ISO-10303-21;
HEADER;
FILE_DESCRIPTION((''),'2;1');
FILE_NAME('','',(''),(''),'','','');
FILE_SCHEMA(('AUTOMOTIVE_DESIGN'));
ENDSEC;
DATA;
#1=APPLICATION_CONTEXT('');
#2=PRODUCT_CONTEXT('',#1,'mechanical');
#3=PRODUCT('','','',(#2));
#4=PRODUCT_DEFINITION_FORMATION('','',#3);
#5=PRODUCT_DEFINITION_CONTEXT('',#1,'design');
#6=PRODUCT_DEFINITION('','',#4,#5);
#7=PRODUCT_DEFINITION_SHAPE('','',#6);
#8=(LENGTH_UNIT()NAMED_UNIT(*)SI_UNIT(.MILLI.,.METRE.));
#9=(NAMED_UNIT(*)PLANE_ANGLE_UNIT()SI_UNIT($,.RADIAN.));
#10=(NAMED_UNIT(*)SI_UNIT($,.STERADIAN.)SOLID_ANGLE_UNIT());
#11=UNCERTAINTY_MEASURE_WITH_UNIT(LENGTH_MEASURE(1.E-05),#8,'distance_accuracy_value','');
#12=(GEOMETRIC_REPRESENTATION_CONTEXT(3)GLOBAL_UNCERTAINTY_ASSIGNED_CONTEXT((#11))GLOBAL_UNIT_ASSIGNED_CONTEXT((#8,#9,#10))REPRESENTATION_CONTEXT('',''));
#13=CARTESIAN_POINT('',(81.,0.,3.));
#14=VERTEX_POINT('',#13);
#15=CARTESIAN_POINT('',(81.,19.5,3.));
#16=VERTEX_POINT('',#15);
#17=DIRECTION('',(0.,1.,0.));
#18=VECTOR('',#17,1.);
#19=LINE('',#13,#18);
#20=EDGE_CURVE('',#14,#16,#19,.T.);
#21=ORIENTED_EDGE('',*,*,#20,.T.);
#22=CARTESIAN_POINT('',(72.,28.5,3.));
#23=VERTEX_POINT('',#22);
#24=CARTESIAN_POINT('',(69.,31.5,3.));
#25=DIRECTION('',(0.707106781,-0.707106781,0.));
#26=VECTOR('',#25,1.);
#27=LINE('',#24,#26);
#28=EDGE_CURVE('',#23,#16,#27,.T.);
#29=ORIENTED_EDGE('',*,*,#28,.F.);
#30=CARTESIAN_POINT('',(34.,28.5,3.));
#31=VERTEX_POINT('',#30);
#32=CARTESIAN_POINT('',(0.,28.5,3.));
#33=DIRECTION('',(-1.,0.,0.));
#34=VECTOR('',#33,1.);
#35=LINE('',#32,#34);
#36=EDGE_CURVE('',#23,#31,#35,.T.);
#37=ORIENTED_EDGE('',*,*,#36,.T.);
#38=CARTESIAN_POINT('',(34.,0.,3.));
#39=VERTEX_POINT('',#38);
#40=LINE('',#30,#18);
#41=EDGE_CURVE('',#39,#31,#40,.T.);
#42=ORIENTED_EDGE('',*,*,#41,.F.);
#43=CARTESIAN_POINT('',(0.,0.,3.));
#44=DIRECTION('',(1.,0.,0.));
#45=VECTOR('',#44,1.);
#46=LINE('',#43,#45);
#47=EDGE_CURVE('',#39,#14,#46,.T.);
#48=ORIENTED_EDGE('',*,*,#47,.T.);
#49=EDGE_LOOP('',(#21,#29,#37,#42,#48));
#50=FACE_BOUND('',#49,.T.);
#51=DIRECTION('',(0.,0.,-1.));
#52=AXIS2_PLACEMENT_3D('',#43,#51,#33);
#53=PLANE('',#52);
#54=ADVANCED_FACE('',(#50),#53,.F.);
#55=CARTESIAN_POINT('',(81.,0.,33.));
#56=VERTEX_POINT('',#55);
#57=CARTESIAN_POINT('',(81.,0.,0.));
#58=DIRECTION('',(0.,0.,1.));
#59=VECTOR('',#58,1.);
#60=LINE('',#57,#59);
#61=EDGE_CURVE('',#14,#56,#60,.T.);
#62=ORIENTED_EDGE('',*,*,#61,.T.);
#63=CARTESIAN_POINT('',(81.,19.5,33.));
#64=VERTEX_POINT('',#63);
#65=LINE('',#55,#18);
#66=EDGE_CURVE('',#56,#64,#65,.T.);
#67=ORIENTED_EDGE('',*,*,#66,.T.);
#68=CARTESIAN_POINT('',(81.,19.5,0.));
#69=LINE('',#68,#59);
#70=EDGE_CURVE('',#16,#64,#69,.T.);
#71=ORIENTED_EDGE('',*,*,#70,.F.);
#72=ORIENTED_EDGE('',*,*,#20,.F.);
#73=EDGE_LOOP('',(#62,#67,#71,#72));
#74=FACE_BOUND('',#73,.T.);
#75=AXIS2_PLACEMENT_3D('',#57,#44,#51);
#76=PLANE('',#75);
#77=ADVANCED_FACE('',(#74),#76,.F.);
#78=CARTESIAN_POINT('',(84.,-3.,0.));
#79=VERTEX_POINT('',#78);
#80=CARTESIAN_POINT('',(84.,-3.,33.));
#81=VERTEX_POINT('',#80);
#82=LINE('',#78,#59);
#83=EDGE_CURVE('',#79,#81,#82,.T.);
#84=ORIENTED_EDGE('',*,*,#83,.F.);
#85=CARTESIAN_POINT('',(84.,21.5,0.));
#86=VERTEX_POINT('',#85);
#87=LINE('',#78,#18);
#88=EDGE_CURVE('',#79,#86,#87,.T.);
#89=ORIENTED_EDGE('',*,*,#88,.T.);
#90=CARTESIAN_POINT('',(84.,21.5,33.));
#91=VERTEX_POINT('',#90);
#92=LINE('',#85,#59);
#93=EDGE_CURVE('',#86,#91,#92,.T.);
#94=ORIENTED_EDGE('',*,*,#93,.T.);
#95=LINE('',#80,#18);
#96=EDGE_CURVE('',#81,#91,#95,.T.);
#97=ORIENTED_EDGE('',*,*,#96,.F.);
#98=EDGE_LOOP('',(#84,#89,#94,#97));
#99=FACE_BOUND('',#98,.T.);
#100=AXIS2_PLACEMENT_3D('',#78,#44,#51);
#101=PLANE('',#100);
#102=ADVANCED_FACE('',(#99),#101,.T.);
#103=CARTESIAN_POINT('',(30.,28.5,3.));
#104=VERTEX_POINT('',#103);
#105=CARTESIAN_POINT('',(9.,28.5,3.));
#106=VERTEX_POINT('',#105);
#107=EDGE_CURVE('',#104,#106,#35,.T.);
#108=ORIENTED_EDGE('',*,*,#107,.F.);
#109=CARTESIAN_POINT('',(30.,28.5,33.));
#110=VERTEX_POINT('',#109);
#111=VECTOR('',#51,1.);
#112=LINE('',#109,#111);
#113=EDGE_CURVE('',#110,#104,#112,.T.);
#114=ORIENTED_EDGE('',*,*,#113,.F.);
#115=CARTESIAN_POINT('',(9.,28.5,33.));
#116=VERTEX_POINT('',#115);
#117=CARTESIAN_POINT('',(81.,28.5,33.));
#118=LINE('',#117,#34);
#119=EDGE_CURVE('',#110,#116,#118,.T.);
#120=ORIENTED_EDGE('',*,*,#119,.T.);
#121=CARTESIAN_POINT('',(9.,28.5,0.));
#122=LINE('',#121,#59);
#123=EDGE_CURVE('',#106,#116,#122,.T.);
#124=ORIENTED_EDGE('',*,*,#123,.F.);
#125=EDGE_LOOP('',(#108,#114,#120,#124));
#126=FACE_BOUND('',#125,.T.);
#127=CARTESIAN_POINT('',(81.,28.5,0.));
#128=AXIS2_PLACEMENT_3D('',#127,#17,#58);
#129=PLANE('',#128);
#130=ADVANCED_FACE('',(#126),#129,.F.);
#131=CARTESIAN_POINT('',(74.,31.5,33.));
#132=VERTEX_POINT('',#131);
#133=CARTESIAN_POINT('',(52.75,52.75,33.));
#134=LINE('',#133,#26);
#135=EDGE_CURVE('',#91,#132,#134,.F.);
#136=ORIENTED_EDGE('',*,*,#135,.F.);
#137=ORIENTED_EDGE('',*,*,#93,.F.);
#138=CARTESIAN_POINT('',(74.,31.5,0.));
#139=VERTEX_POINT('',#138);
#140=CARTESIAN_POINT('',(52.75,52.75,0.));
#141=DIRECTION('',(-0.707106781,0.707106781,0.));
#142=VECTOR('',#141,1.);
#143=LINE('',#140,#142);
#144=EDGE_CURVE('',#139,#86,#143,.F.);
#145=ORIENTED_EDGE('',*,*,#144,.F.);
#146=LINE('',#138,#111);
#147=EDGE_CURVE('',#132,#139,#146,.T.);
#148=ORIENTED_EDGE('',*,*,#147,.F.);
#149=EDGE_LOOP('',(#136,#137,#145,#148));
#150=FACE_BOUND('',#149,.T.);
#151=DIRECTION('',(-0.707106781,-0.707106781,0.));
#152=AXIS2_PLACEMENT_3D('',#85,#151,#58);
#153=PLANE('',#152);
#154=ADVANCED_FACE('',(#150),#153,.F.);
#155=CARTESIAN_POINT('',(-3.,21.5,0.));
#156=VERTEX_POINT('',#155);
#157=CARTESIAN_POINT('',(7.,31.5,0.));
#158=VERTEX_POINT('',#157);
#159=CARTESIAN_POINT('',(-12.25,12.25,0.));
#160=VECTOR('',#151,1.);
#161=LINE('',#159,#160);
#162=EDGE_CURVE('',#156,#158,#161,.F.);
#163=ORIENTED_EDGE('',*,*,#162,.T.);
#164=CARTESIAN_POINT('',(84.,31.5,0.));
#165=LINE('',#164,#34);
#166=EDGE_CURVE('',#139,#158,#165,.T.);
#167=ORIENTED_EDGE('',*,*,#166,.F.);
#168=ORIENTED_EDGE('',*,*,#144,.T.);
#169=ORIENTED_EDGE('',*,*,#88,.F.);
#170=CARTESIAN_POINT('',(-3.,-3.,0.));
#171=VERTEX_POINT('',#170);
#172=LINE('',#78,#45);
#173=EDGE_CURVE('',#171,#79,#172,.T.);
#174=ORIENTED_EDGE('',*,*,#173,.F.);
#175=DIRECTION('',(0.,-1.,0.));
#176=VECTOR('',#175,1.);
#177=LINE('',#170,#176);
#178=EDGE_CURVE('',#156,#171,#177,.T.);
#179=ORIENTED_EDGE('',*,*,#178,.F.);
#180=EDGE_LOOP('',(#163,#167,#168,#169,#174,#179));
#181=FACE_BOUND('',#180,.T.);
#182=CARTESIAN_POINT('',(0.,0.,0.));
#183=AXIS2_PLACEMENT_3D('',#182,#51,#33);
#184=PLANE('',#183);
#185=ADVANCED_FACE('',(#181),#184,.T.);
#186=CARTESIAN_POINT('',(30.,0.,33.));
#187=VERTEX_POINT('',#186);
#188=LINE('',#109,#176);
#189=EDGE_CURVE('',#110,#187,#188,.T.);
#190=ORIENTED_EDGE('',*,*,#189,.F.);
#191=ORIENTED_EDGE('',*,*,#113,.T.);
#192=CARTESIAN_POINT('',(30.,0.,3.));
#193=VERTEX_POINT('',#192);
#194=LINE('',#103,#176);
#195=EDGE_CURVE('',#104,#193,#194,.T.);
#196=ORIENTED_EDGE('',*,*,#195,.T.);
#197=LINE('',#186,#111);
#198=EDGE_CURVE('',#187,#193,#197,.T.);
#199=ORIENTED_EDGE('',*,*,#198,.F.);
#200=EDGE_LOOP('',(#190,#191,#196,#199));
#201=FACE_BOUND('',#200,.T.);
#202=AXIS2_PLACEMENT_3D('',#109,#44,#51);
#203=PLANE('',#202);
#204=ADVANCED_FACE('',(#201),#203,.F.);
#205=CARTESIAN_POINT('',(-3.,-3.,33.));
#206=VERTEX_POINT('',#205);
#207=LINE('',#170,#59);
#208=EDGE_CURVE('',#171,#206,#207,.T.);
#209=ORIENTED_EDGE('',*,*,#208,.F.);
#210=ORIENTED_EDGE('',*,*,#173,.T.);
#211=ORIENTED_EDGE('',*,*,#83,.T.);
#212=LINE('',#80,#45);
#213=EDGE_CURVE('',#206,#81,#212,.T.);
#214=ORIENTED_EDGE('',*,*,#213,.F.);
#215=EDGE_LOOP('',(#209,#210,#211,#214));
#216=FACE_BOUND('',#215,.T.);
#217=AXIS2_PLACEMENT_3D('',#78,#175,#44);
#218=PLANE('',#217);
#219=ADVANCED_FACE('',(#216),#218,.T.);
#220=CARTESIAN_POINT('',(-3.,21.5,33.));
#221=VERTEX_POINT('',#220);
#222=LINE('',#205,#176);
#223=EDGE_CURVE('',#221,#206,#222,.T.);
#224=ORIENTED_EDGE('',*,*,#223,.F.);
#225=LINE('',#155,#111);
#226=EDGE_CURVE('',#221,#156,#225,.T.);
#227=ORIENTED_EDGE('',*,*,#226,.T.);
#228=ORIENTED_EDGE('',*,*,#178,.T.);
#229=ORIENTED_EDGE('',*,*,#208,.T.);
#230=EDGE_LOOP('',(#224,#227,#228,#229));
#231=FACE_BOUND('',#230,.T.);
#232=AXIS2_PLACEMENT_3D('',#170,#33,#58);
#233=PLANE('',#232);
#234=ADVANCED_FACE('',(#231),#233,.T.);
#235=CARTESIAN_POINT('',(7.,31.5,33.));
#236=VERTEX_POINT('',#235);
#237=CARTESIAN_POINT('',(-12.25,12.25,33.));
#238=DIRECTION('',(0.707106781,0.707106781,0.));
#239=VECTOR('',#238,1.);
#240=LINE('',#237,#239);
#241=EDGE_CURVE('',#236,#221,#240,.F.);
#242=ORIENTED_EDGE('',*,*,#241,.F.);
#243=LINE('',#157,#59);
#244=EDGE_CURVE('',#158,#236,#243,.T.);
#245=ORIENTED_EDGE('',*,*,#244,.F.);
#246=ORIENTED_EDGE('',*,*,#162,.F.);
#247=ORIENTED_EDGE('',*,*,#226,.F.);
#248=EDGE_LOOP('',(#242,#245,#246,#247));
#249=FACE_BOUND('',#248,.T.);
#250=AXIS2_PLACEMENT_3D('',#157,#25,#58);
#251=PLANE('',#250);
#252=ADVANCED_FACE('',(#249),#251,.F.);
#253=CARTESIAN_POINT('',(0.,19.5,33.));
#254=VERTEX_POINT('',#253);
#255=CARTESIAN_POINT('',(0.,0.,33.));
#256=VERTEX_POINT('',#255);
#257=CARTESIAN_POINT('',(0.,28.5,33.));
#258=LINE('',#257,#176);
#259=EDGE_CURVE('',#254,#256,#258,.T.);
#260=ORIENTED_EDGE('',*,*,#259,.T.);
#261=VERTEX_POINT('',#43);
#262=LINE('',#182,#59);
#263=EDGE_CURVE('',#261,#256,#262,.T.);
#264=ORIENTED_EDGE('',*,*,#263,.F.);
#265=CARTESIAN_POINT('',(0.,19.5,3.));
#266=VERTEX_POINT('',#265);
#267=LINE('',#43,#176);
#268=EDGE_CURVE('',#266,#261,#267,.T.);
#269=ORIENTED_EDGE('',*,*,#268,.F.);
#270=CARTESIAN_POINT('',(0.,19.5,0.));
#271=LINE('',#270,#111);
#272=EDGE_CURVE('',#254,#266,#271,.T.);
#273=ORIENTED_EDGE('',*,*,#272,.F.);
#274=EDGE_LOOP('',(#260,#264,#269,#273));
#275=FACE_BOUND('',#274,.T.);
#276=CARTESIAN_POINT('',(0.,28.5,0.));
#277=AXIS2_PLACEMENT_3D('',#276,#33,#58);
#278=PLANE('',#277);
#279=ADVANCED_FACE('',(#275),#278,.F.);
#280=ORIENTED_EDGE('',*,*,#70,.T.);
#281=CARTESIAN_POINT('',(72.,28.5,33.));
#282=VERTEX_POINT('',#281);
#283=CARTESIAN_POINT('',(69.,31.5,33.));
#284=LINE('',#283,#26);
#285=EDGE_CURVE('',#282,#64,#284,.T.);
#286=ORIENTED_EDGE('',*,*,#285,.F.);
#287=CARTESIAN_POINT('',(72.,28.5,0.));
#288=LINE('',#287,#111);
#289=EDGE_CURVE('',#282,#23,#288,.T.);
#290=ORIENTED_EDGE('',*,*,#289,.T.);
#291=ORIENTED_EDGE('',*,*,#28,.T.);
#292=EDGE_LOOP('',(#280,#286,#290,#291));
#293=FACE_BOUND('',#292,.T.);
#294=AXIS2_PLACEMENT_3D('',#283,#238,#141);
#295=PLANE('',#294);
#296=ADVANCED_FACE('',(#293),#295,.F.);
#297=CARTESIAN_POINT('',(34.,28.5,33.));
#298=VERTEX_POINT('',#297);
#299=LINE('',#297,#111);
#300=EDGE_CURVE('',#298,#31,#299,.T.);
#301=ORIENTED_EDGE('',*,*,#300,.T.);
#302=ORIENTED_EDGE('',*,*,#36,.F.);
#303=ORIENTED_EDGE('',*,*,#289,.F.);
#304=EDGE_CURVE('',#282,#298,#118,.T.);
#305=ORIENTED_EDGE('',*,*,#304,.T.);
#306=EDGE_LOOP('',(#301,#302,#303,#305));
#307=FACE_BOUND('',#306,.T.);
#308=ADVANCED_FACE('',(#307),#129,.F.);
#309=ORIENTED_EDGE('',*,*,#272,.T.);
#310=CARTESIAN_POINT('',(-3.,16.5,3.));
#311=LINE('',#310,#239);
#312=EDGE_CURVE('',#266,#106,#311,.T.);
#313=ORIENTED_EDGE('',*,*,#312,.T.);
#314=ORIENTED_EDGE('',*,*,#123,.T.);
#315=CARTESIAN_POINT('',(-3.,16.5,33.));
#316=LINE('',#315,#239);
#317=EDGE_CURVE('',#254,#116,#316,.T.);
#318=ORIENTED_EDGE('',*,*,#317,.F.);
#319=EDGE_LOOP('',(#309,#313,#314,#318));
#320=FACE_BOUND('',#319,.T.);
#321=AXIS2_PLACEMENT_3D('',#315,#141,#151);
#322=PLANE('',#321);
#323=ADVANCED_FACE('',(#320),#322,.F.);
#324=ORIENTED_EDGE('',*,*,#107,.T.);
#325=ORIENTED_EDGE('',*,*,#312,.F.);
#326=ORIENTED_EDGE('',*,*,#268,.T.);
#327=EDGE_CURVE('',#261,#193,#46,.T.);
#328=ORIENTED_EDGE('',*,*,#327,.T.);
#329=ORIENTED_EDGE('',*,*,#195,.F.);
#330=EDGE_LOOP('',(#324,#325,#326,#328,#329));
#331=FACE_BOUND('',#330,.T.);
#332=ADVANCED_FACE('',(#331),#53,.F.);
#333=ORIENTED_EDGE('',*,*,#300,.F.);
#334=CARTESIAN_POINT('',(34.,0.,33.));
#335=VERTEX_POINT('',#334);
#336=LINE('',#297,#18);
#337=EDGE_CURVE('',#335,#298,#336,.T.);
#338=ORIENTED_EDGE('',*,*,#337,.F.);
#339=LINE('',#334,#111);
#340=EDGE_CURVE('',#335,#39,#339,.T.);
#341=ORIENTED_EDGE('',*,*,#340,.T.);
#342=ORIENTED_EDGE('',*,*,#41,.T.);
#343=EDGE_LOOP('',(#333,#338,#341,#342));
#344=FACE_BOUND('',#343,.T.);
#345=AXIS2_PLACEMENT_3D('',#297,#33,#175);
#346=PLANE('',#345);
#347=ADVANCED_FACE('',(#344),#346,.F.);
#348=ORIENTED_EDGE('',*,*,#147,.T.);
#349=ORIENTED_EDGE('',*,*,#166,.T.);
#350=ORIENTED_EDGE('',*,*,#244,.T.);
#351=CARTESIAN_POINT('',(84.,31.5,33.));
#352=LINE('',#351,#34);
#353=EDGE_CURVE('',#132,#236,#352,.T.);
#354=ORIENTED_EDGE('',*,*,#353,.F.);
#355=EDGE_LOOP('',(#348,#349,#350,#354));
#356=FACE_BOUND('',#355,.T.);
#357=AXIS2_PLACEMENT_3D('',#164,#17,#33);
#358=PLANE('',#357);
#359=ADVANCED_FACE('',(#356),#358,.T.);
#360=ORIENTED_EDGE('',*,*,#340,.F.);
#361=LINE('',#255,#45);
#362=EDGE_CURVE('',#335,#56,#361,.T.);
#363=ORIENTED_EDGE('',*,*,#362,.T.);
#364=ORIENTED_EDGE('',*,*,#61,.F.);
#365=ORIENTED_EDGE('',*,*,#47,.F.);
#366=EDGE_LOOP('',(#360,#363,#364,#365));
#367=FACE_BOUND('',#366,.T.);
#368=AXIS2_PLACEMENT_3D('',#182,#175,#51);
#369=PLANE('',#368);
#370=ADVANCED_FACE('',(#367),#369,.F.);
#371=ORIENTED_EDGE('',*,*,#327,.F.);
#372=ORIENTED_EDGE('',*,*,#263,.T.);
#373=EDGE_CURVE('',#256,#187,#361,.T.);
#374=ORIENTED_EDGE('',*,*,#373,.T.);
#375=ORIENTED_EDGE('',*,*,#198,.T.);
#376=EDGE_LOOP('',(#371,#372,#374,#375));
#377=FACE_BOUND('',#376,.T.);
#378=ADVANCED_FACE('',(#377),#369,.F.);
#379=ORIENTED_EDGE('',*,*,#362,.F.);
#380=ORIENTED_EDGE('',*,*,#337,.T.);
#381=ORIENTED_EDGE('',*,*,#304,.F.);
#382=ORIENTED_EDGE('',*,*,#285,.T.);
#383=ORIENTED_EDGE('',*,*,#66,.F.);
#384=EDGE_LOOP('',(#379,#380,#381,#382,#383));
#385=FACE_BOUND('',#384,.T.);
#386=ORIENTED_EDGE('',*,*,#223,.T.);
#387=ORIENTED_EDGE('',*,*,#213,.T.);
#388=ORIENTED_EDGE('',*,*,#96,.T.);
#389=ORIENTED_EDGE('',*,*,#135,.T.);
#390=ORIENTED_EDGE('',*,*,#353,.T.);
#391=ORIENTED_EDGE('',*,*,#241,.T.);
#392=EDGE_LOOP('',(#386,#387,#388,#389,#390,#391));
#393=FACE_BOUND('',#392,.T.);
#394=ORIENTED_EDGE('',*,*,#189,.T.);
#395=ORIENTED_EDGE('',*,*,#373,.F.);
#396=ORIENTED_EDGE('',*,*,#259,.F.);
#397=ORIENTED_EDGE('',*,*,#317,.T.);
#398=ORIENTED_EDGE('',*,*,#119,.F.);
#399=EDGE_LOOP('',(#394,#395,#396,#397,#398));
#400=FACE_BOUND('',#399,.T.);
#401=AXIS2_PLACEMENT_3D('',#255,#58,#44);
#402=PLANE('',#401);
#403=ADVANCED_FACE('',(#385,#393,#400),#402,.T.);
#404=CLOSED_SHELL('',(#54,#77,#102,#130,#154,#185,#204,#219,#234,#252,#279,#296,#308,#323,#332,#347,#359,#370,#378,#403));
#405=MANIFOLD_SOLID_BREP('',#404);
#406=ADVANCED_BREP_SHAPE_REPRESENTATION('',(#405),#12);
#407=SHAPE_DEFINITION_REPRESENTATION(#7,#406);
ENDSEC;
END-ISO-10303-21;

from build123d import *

# Parameters (mm, degrees)
SKETCH_1_W           = 81
SKETCH_1_H           = 28.5
EXTRUDE_1_DEPTH      = 3
EXTRUDE_2_DEPTH      = 30
EXTRUDE_2_DEPTH_BACK = 3
SKETCH_2_W           = 87
SKETCH_2_H           = 34.5
SKETCH_2_W_2         = 81
SKETCH_2_H_2         = 28.5
SKETCH_3_W           = 4
SKETCH_3_H           = 28.5
EXTRUDE_3_DEPTH      = 30
EXTRUDE_4_DEPTH      = 30
CHAMFER_1_SIZE       = 10


with BuildPart() as part:
    # 草图1 → 凸台-拉伸1 (new body)
    with BuildSketch(Plane.XY):
        with Locations((40.5, 14.25)):
            Rectangle(SKETCH_1_W, SKETCH_1_H)
    extrude(amount=EXTRUDE_1_DEPTH)

    # 草图2 → 凸台-拉伸2 (add, two sides: drawn at the far end of the back side and taken through both)
    with BuildSketch(Plane.XY.offset(3).offset(-EXTRUDE_2_DEPTH_BACK)):
        with Locations((40.5, 14.25)):
            Rectangle(SKETCH_2_W, SKETCH_2_H)
        with Locations((40.5, 14.25)):
            Rectangle(SKETCH_2_W_2, SKETCH_2_H_2, mode=Mode.SUBTRACT)
    extrude(amount=EXTRUDE_2_DEPTH + EXTRUDE_2_DEPTH_BACK)

    # 草图3 → 凸台-拉伸3 (add)
    with BuildSketch(Plane.XY.offset(3)):
        with Locations((32, 14.25)):
            Rectangle(SKETCH_3_W, SKETCH_3_H)
    extrude(amount=EXTRUDE_3_DEPTH)

    # 草图4 → 凸台-拉伸4 (add)
    with BuildSketch(Plane.XY.offset(3)):
        Polygon((-3, 16.5), (12, 31.5), (-3, 31.5), align=None)
        Polygon((69, 31.5), (84, 16.5), (84, 31.5), align=None)
    extrude(amount=EXTRUDE_4_DEPTH)

    # 倒角1
    chamfer_1_edges = [part.edges().sort_by_distance(p)[0] for p in [
        (-3, 31.5, 16.5),
        (84, 31.5, 16.5),
    ]]
    chamfer(chamfer_1_edges, length=CHAMFER_1_SIZE)


solid = part.part
